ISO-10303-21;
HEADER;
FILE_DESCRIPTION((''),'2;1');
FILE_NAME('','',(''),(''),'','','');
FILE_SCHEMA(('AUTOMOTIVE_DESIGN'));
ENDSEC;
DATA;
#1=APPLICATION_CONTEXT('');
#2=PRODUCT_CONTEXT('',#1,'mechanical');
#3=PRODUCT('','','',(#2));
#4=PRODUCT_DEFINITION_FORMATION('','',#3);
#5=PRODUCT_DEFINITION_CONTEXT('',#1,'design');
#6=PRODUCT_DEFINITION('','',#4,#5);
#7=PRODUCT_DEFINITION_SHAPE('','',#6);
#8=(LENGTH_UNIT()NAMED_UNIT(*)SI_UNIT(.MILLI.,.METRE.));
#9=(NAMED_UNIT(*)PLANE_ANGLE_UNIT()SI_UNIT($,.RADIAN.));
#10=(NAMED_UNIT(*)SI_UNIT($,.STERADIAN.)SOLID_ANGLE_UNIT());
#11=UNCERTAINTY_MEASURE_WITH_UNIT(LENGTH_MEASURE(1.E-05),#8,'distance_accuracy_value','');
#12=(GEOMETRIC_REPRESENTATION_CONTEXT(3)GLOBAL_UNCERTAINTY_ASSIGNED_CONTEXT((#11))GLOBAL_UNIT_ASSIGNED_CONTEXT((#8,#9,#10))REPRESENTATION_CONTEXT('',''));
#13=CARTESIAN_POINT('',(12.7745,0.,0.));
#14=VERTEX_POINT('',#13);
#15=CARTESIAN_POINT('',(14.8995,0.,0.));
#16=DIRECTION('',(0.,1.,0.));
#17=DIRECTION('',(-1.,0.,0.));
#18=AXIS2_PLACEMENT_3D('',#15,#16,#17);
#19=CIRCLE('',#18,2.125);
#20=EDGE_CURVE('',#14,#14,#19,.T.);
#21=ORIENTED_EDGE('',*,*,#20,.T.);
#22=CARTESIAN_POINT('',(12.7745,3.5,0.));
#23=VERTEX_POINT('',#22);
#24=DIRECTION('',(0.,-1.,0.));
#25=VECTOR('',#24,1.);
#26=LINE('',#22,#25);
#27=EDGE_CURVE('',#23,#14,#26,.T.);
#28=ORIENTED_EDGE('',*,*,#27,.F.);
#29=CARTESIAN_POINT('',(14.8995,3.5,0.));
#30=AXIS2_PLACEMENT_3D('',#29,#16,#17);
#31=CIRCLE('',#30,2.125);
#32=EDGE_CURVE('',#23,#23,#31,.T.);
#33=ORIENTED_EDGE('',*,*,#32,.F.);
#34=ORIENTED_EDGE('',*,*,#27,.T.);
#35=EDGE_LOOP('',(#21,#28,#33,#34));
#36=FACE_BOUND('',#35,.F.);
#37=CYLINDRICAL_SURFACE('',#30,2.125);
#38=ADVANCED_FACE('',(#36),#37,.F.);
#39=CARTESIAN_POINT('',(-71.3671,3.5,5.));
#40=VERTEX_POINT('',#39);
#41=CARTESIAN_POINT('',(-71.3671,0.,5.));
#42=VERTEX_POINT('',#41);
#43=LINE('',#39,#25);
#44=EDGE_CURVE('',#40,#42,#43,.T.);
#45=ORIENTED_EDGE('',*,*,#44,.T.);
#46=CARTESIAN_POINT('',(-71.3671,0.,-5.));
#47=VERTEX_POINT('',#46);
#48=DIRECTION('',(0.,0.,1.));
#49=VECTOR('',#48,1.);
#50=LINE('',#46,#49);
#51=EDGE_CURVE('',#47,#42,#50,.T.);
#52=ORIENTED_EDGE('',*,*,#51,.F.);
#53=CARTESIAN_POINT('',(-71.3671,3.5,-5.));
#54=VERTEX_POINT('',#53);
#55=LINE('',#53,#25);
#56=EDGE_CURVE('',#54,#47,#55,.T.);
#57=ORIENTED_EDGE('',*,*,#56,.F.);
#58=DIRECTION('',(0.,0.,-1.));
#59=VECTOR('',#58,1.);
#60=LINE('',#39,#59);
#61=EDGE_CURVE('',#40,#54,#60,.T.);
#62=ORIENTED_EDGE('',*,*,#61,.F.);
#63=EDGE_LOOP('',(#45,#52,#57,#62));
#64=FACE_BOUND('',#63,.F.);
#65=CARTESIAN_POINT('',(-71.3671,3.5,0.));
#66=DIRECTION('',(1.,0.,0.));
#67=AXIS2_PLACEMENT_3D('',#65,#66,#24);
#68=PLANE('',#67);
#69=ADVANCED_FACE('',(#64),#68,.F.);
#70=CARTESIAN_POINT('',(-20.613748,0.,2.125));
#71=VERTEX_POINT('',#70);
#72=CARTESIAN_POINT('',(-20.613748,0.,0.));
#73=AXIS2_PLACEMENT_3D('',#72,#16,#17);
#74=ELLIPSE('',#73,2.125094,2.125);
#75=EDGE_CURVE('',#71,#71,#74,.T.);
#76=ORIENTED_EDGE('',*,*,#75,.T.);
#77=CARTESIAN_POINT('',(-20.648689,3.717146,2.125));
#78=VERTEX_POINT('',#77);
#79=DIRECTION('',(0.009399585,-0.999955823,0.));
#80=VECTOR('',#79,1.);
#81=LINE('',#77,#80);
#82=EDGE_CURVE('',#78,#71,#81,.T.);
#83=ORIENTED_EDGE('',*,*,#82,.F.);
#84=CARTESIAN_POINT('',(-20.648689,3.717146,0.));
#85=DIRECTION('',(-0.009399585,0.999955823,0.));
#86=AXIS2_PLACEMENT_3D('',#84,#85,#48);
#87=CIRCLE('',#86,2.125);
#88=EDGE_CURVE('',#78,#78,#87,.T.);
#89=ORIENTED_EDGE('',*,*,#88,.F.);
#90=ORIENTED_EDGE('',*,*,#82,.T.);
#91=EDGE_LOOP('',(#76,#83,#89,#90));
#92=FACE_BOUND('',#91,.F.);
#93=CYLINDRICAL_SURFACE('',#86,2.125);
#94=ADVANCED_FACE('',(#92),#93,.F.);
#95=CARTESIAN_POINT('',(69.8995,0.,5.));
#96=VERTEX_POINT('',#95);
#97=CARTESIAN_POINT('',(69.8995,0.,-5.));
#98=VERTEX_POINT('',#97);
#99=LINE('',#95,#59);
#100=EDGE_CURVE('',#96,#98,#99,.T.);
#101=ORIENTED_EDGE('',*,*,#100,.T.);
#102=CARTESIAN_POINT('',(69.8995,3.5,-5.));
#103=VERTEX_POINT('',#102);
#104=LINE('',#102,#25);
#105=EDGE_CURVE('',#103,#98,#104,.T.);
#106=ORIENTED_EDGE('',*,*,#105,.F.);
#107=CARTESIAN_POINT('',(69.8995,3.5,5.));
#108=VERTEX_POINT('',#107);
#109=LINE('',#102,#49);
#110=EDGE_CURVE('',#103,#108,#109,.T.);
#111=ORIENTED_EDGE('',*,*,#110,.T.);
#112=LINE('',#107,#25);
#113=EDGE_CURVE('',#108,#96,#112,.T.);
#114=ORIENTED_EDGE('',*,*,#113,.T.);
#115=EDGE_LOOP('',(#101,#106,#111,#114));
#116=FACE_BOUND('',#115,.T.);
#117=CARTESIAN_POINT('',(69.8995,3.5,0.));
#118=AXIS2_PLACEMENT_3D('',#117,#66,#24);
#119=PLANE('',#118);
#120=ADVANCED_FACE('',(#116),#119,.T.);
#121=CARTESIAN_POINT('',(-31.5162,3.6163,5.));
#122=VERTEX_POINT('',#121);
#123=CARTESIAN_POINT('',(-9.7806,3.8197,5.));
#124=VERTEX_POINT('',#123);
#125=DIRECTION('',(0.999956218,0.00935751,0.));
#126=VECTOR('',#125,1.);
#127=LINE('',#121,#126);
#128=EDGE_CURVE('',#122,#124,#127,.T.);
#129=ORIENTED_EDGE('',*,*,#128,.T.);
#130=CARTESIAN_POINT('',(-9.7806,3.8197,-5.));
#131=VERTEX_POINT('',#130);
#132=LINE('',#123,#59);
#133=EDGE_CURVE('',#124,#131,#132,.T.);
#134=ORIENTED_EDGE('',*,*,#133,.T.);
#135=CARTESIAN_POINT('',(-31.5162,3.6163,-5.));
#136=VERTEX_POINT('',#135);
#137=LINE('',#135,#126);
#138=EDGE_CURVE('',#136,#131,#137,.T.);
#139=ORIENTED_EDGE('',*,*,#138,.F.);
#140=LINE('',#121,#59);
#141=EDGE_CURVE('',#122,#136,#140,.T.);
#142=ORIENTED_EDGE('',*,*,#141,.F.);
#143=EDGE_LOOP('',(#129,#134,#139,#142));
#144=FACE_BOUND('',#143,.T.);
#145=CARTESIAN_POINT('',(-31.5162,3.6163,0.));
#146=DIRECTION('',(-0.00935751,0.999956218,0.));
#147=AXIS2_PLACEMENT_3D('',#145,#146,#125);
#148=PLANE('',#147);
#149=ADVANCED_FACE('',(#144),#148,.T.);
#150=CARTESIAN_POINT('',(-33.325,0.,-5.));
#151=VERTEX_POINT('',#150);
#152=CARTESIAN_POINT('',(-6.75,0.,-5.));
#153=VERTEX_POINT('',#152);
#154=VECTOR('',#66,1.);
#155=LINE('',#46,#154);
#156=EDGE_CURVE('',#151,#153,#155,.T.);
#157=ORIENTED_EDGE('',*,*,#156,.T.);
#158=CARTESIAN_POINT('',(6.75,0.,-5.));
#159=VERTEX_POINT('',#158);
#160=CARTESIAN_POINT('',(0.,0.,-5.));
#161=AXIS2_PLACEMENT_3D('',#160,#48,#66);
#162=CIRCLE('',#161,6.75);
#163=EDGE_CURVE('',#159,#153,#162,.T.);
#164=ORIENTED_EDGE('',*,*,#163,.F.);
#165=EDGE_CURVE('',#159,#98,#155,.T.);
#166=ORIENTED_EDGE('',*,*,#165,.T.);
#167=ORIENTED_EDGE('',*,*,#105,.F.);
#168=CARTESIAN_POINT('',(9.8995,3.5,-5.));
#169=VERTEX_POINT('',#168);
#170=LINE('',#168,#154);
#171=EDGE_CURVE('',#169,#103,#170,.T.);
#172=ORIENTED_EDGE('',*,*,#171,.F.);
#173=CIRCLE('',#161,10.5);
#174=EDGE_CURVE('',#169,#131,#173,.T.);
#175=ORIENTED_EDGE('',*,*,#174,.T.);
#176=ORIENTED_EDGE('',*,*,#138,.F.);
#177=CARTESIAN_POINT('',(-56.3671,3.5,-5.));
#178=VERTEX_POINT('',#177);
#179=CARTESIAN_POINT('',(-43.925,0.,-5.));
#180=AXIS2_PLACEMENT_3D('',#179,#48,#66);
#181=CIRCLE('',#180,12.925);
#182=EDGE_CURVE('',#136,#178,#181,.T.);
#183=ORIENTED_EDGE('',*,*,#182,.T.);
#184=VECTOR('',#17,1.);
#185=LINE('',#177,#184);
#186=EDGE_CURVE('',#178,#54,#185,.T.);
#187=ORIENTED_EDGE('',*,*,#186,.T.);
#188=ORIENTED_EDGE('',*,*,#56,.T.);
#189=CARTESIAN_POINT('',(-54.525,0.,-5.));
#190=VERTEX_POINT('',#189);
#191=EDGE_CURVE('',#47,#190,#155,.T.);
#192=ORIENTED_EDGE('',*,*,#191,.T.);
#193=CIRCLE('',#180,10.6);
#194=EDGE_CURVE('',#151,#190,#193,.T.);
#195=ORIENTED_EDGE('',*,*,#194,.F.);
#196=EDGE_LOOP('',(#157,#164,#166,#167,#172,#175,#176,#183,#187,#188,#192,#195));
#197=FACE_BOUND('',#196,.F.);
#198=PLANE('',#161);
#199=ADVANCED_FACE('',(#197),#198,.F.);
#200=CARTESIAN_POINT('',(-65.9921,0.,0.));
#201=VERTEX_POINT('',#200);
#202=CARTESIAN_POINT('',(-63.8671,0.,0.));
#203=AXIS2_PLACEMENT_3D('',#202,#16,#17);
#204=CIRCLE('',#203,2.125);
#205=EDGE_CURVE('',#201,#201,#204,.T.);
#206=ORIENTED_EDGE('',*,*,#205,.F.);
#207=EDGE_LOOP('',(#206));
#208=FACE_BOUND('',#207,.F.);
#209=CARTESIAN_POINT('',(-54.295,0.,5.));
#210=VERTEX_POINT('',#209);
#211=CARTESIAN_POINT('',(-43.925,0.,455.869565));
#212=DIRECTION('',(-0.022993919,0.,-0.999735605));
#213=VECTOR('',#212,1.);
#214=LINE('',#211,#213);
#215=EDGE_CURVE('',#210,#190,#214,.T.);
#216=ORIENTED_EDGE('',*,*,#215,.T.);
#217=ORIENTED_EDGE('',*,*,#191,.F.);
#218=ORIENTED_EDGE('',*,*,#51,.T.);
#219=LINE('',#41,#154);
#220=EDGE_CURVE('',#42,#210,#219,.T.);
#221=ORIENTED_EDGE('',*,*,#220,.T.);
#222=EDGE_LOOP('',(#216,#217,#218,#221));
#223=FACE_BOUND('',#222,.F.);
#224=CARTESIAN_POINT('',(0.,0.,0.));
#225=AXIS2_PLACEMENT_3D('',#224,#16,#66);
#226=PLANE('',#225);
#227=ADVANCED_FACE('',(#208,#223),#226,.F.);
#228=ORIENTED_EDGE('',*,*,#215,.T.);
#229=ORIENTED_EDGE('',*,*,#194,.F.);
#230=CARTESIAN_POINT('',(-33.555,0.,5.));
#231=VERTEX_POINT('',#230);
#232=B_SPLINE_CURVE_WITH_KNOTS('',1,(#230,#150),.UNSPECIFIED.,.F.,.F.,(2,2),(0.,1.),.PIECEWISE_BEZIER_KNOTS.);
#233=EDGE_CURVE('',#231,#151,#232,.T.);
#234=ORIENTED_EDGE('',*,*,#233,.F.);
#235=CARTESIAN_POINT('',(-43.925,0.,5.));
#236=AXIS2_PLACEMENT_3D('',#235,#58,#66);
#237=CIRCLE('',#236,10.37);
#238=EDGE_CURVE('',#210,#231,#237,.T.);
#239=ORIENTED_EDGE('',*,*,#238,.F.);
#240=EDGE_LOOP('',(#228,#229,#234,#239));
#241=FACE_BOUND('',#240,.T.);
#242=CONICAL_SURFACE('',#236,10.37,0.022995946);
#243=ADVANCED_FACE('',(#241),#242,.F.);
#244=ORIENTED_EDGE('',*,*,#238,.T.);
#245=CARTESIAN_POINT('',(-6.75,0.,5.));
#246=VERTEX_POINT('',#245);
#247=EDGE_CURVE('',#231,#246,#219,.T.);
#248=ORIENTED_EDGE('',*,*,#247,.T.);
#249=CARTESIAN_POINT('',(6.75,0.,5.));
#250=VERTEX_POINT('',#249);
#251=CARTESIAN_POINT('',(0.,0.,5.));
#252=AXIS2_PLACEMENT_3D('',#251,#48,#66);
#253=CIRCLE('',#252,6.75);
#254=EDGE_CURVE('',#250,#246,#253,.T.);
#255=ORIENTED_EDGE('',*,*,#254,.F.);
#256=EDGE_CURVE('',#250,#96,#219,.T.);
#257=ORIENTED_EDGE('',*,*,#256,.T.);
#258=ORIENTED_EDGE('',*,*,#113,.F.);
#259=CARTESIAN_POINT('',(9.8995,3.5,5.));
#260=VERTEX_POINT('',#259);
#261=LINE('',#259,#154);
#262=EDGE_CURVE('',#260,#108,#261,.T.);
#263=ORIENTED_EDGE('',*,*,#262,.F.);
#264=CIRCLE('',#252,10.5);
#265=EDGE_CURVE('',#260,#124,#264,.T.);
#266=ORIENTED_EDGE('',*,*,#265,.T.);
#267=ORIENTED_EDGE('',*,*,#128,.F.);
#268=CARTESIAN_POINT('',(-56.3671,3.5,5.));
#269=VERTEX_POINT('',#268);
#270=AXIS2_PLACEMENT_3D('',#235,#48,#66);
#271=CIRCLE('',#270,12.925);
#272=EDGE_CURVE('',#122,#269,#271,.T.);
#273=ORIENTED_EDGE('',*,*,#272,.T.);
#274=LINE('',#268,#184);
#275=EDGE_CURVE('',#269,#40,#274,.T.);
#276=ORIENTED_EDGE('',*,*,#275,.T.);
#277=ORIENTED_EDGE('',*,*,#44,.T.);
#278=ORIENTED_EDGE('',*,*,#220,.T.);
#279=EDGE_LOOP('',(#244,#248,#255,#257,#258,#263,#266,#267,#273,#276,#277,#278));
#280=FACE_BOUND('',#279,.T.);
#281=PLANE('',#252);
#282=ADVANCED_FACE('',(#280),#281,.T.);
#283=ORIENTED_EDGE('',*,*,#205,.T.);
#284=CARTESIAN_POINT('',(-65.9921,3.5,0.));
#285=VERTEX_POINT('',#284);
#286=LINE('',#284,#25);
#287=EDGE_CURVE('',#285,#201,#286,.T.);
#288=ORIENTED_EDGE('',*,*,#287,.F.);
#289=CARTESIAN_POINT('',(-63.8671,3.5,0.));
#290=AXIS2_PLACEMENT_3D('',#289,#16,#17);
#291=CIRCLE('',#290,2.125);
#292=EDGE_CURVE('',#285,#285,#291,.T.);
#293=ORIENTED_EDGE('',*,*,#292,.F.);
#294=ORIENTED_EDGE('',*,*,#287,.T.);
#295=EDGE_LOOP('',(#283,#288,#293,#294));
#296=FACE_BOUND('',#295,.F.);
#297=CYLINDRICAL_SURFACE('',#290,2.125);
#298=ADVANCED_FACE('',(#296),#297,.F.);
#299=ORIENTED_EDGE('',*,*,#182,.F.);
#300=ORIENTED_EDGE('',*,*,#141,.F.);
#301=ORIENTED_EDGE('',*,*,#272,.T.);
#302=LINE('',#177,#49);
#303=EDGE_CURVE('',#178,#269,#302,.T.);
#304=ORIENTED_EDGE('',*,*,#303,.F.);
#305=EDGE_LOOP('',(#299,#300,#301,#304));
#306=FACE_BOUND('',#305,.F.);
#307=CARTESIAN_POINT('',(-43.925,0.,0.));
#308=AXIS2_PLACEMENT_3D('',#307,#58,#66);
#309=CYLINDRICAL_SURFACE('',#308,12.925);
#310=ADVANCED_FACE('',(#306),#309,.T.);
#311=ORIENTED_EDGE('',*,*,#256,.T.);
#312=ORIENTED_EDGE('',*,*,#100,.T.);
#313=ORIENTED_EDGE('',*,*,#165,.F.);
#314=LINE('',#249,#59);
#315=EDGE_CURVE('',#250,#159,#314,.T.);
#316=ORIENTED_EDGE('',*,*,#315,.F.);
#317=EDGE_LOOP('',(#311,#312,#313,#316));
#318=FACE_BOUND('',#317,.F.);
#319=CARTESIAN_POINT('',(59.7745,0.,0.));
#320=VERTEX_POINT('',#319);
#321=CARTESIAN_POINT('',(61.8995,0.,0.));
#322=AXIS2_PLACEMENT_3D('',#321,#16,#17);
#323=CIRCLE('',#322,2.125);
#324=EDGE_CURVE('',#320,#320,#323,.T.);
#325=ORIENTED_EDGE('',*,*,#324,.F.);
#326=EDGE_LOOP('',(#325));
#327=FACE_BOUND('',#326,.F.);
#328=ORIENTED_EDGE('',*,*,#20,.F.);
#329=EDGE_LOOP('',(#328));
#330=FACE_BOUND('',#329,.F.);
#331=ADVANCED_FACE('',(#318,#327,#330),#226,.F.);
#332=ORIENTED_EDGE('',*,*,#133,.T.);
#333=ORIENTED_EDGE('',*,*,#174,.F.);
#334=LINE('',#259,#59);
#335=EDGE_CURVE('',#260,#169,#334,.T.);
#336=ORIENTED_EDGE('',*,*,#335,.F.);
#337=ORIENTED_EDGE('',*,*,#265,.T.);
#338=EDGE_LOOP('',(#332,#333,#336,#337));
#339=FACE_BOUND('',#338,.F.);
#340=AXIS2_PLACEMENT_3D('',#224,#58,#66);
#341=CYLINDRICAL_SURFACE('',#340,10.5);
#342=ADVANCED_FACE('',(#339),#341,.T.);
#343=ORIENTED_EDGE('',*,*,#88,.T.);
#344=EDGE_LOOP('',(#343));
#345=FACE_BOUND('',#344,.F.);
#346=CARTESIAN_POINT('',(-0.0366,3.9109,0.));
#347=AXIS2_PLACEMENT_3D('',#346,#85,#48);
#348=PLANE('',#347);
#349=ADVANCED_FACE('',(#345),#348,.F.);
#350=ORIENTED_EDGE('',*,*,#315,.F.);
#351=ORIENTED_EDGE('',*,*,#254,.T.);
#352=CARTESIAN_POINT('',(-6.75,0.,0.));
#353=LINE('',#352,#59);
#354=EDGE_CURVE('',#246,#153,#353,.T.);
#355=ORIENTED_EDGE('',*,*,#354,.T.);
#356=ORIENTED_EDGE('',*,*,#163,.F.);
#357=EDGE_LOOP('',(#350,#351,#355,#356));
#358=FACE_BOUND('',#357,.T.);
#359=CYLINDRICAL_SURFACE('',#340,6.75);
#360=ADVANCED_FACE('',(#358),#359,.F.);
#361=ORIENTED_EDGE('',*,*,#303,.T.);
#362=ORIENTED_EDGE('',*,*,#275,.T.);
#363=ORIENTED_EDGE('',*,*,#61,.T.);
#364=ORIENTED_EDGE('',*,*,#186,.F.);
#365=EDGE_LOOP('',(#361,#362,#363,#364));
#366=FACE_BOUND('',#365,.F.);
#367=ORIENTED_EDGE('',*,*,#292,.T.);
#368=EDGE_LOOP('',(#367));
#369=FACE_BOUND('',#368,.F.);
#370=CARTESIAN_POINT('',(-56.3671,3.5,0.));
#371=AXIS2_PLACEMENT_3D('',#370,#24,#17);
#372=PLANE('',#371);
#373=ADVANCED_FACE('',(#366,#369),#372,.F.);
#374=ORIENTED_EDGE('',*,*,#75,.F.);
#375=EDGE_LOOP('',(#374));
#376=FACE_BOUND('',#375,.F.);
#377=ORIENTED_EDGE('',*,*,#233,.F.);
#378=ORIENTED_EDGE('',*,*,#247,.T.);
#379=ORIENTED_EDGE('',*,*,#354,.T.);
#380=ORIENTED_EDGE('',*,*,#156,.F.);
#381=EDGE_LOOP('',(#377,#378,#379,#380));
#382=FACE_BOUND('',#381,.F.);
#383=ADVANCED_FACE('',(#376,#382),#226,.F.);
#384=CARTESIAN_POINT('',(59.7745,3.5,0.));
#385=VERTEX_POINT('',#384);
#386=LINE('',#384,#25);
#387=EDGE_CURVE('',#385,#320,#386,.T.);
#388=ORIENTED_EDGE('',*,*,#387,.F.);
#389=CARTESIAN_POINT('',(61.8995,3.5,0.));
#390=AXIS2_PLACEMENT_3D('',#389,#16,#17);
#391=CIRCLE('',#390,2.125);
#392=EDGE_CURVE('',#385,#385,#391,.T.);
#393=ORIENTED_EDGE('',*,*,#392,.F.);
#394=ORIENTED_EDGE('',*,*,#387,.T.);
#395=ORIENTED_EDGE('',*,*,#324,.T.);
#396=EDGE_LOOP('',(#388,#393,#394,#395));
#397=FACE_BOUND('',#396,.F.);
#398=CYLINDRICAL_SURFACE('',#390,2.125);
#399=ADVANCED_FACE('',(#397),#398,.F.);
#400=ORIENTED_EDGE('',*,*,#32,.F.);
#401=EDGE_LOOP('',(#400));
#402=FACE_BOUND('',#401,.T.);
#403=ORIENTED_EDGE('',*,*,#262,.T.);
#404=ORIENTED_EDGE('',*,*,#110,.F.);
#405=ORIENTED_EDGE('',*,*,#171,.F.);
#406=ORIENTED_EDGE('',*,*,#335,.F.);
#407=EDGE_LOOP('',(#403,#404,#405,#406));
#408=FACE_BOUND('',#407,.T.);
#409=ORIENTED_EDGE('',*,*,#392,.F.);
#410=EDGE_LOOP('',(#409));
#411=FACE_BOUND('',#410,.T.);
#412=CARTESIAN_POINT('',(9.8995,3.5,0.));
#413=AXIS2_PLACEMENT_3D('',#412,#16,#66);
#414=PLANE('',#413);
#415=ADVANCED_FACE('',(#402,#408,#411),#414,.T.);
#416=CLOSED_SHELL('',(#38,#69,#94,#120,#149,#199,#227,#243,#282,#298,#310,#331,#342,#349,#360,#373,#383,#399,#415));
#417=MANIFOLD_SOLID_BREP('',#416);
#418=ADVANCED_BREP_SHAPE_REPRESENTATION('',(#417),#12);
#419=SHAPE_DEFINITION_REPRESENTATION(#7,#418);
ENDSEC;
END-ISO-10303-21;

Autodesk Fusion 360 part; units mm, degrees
sketch "Sketch1" plane through (0, 0, 0) normal (0, 0, 1) x (1, 0, 0)
  circle A0 centre (-43.925, 0) radius 12.925
  circle A1 centre (0, 0) radius 10.5
  circle A2 centre (0, 0) radius 6.75
  line L0 (9.8995, 3.5) -> (69.8995, 3.5)
  line L1 (69.8995, 3.5) -> (69.8995, -3.5)
  line L2 (69.8995, -3.5) -> (9.8995, -3.5)
  line L3 (-31.5162, 3.6163) -> (-9.7806, 3.8197)
  line L4 (-31.4507, -3.3834) -> (-10.006, -3.1827)
  line L5 (-56.3671, 3.5) -> (-71.3671, 3.5)
  line L6 (-71.3671, 3.5) -> (-71.3671, -3.5)
  line L7 (-71.3671, -3.5) -> (-56.3671, -3.5)
  line L8 (-43.925, 0) -> (0, 0) construction
  dimension "d1" = 3.5
  dimension "d2" = 3.5
  dimension "d3" = 3.5
  dimension "d4" = 3.5
  dimension "d5" = 3.5
  dimension "d6" = 3.5
  dimension "d7" = 43.925
  dimension "d8" = 60
  dimension "d9" = 15
  dimension "d19" = 25.85
  dimension "d20" = 21
  dimension "d21" = 13.5
extrude "Extrude1" add sketch "Sketch1" along normal mid plane 10
sketch "Sketch4" plane through (0, 3.5, 0) normal (0, 1, 0) x (-1, 0, 0)
  line L0 (71.3671, -5) -> (71.3671, 5)
  line L1 (71.3671, 5) -> (56.3671, 5)
  line L2 (56.3671, 5) -> (56.3671, -5)
  line L3 (56.3671, -5) -> (71.3671, -5)
  circle A0 centre (63.8671, 0) radius 2.125
  line L4 (31.5162, -5) -> (9.7806, -5)
  line L5 (31.5162, 5) -> (31.5162, -5)
  line L6 (9.7806, -5) -> (9.7806, 5)
  dimension "d25" = 4.25
  dimension "d27" = 5
  dimension "d31" = 7.5
  dimension "d32" = 7.5
extrude "Extrude4" cut sketch "Sketch4" along normal up to surface contours A0 end surface through (-31.4507, -3.3834, 0) normal (0.009359, -0.999956, 0) offset 0
sketch "Sketch5" plane through (-0.0366, 3.9109, 0) normal (-0.0094, 1, 0) x (0, 0, 1)
  line L0 (-5, -31.481) -> (5, -31.481)
  line L1 (5, -31.481) -> (5, -9.7444)
  line L2 (5, -9.7444) -> (-5, -9.7444)
  line L3 (-5, -9.7444) -> (-5, -31.481)
  circle A0 centre (0, -20.613) radius 2.125
  dimension "d35" = 4.25
  dimension "d36" = 10.868
  dimension "d37" = 10.8686
  dimension "d38" = 5
extrude "Extrude5" cut sketch "Sketch5" against normal up to surface (7 mm away) contours A0
sketch "Sketch6" plane through (0, 3.5, 0) normal (0, 1, 0) x (-1, 0, 0)
  line L0 (-9.8995, -5) -> (-9.8995, 5)
  line L1 (-9.8995, 5) -> (-69.8995, 5)
  line L2 (-69.8995, 5) -> (-69.8995, -5)
  line L3 (-69.8995, -5) -> (-9.8995, -5)
sketch "Sketch7" plane through (0, 3.5, 0) normal (0, 1, 0) x (-1, 0, 0)
  line L0 (-9.8995, -5) -> (-9.8995, 5) construction
  line L1 (-9.8995, 5) -> (-69.8995, 5) construction
  line L2 (-69.8995, 5) -> (-69.8995, -5) construction
  line L3 (-69.8995, -5) -> (-9.8995, -5) construction
  line L4 (-69.8995, 0) -> (-9.8995, 0) construction
  circle A0 centre (-61.8995, 0) radius 2.125
  circle A1 centre (-14.8995, 0) radius 2.125
  dimension "d41" = 4.25
  dimension "d42" = 4.25
  dimension "d43" = 8
  dimension "d44" = 5
extrude "Extrude6" cut sketch "Sketch7" against normal up to surface (7 mm away)
sketch "Sketch8" plane through (0, 0, 5) normal (0, 0, 1) x (1, 0, 0)
  circle A0 centre (0, 0) radius 6.75
  arc A1 (-31.5162, 3.6163) -> (-56.3671, 3.5) centre (-43.925, 0) ccw
  line L0 (-56.3671, 3.5) -> (-71.3671, 3.5)
  line L1 (-71.3671, 3.5) -> (-71.3671, -3.5)
  line L2 (-71.3671, -3.5) -> (-56.3671, -3.5)
  arc A2 (-56.3671, -3.5) -> (-31.4507, -3.3834) centre (-43.925, 0) ccw
  line L3 (-31.4507, -3.3834) -> (-10.006, -3.1827)
  arc A3 (-10.006, -3.1827) -> (9.8995, -3.5) centre (0, 0) ccw
  line L4 (9.8995, -3.5) -> (69.8995, -3.5)
  line L5 (69.8995, -3.5) -> (69.8995, 3.5)
  line L6 (69.8995, 3.5) -> (9.8995, 3.5)
  arc A4 (9.8995, 3.5) -> (-9.7806, 3.8197) centre (0, 0) ccw
  line L7 (-9.7806, 3.8197) -> (-31.5162, 3.6163)
  circle A5 centre (-43.925, 0) radius 12.925 construction
  circle A6 centre (-43.925, 0) radius 10.37
  dimension "d49" = 20.74
sketch "Sketch9" plane through (0, 0, -5) normal (0, 0, -1) x (-1, 0, 0)
  circle A0 centre (0, 0) radius 6.75
  arc A1 (56.3671, 3.5) -> (31.5162, 3.6163) centre (43.925, 0) ccw
  line L0 (31.5162, 3.6163) -> (9.7806, 3.8197)
  arc A2 (9.7806, 3.8197) -> (-9.8995, 3.5) centre (0, 0) ccw
  line L1 (-9.8995, 3.5) -> (-69.8995, 3.5)
  line L2 (-69.8995, 3.5) -> (-69.8995, -3.5)
  line L3 (-69.8995, -3.5) -> (-9.8995, -3.5)
  arc A3 (-9.8995, -3.5) -> (10.006, -3.1827) centre (0, 0) ccw
  line L4 (10.006, -3.1827) -> (31.4507, -3.3834)
  arc A4 (31.4507, -3.3834) -> (56.3671, -3.5) centre (43.925, 0) ccw
  line L5 (56.3671, -3.5) -> (71.3671, -3.5)
  line L6 (71.3671, -3.5) -> (71.3671, 3.5)
  line L7 (71.3671, 3.5) -> (56.3671, 3.5)
  circle A5 centre (43.925, 0) radius 12.925 construction
  circle A6 centre (43.925, 0) radius 10.6
  dimension "d50" = 21.2
loft "Loft1" cut profiles "Sketch8", "Sketch9" section 1 contours A6 section 2 contours A6
sketch "Sketch3" plane through (0, 0, 0) normal (0, 1, 0) x (1, 0, 0)
  line L0 (-71.3671, 5) -> (-71.3671, -5)
  line L1 (-71.3671, -5) -> (-56.3671, -5)
  line L2 (-56.3671, -5) -> (-56.3671, 5)
  line L3 (-56.3671, 5) -> (-71.3671, 5)
  line L4 (9.8995, 5) -> (9.8995, -5)
  line L5 (9.8995, -5) -> (69.8995, -5)
  line L6 (69.8995, -5) -> (69.8995, 5)
  line L7 (69.8995, 5) -> (9.8995, 5)
  line L8 (-71.3671, 5) -> (69.8995, 5)
  line L9 (69.8995, 5) -> (69.8995, -5)
  line L10 (69.8995, -5) -> (-71.3671, -5)
  line L11 (-71.3671, -5) -> (-71.3671, 5)
  circle A0 centre (-63.8671, 0) radius 2.125
  circle A1 centre (14.8995, 0) radius 2.125
  circle A2 centre (61.8995, 0) radius 2.125
extrude "Extrude3" cut sketch "Sketch3" against normal blind 20 contours L0 L1 L2 L3 L8 L10 L11 | L2 L4 L8 L10 | L4 L5 L6 L7 L8 L9 L10 | A0 | A1 | A2
equation "d2 = d1"
equation "d3 = d1"
equation "d4 = d1"
equation "d5 = d1"
equation "d6 = d1"
equation "d42 = d41"
